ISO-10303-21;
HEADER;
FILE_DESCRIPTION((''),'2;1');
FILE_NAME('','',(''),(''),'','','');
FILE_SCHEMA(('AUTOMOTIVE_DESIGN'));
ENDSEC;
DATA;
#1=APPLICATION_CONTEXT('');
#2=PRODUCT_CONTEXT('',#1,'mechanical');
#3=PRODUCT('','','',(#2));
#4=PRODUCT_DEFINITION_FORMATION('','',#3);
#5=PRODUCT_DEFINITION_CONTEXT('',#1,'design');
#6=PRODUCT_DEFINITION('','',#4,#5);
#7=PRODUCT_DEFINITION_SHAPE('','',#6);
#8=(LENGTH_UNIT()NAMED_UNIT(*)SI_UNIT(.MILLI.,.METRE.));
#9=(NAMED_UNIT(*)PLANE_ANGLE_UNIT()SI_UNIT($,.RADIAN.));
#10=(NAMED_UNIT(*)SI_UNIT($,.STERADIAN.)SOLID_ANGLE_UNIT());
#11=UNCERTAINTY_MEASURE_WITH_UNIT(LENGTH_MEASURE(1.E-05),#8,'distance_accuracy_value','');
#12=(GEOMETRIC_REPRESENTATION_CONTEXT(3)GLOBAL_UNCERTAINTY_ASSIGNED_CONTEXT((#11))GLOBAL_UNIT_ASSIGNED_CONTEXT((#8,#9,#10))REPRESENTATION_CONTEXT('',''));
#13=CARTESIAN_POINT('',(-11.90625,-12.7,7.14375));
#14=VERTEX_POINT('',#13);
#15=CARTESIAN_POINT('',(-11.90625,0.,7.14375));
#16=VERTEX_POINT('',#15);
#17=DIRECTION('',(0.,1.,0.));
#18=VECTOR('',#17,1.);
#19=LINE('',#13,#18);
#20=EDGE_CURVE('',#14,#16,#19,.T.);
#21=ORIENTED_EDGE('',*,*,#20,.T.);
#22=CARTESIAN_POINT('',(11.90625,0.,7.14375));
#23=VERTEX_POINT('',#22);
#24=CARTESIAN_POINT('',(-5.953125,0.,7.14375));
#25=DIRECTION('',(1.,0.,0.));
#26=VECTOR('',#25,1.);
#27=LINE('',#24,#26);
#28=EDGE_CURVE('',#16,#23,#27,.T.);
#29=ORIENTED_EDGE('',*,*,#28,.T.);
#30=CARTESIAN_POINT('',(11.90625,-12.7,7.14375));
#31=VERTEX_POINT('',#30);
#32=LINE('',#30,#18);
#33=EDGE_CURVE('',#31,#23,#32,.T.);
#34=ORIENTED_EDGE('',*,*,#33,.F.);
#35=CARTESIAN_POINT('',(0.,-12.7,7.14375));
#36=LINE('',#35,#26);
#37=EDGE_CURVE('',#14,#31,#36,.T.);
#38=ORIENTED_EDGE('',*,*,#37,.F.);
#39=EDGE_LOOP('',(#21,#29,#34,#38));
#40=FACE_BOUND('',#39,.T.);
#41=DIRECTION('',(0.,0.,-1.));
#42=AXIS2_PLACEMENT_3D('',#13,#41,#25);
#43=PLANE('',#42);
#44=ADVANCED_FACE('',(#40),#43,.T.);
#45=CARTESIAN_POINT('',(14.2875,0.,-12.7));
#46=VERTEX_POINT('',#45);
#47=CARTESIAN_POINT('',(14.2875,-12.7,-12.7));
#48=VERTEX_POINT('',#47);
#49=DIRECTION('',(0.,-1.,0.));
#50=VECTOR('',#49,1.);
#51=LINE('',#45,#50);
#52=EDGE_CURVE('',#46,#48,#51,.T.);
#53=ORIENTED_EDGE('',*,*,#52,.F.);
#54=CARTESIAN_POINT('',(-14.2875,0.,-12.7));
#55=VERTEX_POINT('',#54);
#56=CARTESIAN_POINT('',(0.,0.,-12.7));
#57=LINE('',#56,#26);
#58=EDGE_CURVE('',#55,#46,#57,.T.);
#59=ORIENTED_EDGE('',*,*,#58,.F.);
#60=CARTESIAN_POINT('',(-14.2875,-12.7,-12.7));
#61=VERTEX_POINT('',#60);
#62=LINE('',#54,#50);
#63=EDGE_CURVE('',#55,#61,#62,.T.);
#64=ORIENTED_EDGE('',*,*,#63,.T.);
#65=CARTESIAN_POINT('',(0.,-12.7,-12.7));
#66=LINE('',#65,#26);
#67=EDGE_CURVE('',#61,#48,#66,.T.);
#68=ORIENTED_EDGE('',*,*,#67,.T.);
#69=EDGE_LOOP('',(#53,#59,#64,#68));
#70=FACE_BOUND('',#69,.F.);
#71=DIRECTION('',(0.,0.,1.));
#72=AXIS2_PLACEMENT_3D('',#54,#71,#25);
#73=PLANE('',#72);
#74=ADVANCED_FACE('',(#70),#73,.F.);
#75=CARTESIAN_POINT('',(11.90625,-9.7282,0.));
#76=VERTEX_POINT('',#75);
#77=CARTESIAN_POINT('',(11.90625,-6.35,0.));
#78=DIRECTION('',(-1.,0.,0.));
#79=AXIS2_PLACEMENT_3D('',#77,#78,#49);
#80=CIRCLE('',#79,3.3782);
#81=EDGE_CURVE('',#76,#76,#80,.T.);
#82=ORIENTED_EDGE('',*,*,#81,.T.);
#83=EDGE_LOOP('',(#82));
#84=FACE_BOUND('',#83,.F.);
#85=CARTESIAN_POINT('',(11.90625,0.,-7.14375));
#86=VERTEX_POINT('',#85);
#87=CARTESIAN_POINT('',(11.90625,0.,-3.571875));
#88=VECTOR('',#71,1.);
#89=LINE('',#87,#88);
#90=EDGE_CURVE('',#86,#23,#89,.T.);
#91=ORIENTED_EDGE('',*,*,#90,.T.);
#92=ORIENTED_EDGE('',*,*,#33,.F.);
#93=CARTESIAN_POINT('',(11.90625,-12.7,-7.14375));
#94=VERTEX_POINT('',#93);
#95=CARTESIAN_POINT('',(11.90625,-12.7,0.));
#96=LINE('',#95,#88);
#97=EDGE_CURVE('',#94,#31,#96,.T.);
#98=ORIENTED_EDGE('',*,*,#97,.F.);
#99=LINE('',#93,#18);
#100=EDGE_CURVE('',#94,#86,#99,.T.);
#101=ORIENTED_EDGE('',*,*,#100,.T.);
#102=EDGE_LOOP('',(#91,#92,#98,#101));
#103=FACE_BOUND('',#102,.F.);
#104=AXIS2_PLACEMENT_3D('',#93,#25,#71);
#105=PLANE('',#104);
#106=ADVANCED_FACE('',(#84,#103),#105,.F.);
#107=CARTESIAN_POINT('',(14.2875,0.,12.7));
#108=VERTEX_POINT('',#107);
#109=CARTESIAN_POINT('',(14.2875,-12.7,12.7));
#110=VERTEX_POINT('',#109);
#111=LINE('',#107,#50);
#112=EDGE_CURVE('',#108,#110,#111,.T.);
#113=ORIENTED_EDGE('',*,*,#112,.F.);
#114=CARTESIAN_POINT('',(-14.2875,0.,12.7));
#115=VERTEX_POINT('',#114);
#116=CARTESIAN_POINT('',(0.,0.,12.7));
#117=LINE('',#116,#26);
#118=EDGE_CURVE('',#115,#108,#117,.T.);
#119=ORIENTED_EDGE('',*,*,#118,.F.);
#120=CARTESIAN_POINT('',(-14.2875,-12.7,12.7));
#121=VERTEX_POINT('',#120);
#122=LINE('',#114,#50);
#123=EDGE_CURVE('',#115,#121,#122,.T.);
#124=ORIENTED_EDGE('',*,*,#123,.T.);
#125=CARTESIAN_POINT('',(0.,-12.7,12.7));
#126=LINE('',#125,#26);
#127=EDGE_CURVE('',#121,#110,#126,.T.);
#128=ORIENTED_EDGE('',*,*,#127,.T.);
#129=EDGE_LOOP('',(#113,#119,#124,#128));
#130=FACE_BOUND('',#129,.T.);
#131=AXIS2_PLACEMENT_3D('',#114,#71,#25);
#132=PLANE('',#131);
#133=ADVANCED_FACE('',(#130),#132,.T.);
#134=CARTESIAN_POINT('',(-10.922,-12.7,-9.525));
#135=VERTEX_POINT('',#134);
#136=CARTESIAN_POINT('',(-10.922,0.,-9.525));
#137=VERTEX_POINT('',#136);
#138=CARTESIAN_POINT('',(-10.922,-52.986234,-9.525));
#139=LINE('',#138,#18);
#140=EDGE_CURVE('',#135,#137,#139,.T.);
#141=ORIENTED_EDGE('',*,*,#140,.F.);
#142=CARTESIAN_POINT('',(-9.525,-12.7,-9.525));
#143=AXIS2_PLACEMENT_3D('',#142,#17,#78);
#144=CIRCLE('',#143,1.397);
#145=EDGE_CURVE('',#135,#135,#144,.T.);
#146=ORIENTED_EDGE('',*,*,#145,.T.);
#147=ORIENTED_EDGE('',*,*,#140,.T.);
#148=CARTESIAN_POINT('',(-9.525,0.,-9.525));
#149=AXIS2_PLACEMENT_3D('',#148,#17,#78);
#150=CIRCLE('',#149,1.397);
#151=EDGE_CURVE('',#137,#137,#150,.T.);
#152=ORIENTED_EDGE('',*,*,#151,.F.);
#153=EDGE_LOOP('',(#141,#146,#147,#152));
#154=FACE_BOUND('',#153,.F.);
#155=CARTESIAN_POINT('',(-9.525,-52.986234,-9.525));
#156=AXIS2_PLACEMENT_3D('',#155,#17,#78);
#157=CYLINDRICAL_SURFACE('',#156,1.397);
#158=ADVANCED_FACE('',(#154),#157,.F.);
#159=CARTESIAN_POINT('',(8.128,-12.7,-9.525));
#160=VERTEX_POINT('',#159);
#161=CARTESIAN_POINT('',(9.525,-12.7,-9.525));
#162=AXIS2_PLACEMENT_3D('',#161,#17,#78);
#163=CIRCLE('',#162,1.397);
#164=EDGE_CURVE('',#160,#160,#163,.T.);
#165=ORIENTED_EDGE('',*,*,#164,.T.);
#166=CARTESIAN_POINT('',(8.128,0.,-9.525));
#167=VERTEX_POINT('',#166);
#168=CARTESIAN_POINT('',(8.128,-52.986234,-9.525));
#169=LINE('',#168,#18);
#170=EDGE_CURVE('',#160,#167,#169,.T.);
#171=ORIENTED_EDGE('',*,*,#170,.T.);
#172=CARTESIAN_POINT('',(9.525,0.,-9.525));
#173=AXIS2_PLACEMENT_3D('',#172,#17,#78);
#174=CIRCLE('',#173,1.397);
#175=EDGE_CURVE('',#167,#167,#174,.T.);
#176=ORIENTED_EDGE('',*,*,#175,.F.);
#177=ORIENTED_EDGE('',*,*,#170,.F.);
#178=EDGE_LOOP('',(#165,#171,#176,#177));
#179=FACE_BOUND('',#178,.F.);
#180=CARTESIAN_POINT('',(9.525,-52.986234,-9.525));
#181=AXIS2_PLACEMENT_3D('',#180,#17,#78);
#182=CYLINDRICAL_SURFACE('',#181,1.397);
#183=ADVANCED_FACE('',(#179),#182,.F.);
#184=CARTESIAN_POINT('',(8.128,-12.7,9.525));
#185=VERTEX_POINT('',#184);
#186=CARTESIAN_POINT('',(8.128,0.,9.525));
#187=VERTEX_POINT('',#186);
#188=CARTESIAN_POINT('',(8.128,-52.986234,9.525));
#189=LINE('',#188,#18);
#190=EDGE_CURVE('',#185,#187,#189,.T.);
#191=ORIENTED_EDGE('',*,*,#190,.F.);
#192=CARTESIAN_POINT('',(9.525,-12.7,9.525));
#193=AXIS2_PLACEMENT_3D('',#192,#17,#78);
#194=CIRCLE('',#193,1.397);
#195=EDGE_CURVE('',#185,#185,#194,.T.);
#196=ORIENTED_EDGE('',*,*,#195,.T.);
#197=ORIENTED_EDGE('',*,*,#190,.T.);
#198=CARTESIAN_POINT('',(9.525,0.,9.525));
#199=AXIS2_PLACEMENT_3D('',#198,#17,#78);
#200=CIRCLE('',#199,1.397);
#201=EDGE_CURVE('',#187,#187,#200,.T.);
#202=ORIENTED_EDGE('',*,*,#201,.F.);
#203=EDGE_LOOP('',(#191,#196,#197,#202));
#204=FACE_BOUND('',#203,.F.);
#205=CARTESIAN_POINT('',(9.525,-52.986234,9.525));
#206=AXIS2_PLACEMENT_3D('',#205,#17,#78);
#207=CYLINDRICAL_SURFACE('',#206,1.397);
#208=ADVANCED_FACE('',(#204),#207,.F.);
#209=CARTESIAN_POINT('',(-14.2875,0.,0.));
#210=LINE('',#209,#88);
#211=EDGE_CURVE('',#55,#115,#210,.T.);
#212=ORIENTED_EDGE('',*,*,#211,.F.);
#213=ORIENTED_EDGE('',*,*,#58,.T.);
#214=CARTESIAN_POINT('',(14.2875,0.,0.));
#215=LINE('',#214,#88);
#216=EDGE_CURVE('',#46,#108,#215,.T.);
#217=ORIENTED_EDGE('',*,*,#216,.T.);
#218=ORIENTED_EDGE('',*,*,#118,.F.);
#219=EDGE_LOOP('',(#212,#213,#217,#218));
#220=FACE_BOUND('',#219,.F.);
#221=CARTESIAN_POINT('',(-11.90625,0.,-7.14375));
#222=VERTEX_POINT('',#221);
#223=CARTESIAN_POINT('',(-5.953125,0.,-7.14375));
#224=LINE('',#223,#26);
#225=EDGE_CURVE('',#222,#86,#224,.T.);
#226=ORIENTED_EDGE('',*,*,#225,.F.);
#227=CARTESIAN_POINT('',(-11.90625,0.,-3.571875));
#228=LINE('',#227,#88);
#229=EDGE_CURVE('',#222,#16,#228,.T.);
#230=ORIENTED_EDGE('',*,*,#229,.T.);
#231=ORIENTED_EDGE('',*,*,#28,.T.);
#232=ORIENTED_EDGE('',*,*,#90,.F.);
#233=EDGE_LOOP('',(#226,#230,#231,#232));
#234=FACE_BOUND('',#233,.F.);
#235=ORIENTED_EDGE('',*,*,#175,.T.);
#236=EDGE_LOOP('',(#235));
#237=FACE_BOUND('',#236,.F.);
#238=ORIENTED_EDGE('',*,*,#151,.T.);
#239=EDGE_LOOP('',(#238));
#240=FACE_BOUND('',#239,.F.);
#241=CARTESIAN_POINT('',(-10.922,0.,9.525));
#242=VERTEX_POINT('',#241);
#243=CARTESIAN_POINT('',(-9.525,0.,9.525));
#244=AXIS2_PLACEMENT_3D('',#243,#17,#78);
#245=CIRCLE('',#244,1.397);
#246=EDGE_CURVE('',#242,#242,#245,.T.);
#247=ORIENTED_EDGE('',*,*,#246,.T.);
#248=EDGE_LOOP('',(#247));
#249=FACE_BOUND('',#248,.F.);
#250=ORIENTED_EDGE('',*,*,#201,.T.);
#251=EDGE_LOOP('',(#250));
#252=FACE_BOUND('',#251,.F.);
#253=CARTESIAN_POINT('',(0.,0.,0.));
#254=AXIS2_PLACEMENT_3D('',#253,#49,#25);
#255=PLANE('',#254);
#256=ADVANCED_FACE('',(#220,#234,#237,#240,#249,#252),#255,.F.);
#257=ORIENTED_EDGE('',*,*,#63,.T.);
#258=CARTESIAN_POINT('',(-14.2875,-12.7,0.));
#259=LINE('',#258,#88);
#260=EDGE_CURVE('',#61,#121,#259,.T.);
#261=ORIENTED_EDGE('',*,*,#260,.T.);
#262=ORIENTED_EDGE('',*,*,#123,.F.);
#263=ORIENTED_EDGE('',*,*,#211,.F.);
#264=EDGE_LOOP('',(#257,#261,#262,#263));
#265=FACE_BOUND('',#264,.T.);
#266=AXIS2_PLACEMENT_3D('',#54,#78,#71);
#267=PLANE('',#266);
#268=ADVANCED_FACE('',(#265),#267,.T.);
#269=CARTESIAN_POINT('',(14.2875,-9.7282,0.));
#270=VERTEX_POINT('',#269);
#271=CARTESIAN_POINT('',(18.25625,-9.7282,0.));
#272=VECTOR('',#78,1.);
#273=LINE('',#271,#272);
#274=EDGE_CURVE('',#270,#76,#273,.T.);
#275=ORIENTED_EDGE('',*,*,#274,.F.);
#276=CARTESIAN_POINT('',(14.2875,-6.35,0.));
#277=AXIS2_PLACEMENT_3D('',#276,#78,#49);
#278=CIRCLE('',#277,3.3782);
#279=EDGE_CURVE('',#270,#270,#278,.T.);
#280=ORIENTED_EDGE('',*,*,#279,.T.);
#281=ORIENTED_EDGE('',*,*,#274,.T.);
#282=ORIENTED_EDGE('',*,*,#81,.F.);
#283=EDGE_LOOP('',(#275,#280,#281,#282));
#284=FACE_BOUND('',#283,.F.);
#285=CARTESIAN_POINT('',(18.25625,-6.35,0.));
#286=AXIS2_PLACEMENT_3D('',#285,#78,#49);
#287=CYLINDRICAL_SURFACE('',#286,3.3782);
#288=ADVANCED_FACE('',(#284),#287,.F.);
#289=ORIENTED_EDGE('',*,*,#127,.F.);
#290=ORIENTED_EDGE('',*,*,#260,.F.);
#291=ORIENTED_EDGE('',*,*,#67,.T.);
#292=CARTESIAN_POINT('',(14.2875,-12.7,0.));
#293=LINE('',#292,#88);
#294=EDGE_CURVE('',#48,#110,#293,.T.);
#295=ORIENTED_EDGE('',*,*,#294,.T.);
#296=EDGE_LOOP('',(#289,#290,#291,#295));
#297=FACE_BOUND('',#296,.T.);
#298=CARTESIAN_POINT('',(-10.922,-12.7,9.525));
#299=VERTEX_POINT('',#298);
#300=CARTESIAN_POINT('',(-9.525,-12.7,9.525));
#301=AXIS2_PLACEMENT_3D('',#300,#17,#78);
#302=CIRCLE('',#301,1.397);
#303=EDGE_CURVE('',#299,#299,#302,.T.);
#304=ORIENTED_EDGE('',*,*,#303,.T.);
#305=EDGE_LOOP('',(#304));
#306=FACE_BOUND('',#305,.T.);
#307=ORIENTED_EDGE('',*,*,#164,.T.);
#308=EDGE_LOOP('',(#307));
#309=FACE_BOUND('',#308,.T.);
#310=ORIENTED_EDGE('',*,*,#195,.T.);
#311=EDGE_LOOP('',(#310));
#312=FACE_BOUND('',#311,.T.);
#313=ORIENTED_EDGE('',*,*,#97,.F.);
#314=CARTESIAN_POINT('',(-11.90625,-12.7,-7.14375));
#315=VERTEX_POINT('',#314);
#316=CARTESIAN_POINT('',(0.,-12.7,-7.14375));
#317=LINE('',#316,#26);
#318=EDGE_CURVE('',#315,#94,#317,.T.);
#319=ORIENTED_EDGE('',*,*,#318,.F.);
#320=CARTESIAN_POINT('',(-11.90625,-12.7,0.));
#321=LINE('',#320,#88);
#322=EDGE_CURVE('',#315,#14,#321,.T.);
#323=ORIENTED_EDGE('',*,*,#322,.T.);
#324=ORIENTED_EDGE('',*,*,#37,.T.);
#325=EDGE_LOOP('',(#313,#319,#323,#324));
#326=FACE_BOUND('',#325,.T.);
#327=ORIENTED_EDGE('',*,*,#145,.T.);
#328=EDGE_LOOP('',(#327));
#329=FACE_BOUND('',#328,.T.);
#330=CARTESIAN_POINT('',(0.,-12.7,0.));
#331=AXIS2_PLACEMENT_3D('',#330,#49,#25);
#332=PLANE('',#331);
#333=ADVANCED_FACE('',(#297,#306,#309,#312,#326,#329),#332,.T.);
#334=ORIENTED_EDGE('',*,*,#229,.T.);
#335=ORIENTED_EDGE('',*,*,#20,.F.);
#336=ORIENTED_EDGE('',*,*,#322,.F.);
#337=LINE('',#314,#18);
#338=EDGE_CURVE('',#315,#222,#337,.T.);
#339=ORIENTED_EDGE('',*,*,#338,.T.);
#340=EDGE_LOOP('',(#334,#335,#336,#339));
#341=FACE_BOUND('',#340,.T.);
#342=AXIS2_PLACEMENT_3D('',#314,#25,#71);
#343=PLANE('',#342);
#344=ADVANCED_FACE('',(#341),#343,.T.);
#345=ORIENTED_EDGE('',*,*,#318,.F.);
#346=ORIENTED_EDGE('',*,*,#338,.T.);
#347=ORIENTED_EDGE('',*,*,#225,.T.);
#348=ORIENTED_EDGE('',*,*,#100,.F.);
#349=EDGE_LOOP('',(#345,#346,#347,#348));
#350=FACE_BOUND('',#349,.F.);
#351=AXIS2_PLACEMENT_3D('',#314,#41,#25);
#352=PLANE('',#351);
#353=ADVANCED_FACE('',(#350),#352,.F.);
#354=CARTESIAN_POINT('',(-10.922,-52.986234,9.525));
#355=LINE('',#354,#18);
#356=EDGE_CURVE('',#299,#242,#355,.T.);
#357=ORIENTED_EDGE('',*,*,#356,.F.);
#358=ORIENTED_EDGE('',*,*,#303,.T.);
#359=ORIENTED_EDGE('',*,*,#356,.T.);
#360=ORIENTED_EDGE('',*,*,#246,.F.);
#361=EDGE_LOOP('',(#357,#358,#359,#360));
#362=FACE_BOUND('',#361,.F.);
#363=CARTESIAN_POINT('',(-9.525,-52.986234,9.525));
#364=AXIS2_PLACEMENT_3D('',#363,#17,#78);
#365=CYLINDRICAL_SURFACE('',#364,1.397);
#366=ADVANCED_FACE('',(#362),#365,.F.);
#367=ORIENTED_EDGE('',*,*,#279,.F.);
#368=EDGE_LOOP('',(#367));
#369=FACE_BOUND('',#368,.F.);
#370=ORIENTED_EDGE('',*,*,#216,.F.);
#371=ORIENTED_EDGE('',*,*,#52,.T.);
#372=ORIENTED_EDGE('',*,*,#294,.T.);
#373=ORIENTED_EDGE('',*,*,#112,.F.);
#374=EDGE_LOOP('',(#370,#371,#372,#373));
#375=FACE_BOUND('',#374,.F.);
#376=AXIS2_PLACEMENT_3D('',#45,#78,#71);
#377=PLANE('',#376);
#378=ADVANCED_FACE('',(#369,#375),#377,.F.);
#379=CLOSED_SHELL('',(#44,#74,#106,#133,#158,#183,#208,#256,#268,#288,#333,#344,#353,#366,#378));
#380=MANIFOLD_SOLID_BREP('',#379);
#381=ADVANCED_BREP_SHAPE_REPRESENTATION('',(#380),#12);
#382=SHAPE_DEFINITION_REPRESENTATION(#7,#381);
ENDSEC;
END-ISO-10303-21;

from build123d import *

# Parameters (mm, degrees)
F0_W     = 28.575
F0_H     = 25.4
F1_DEPTH = 12.7
F2_W     = 23.8125
F2_H     = 14.2875
F3_DEPTH = 12.701
F5_D     = 6.7564
F5_DEPTH = 3.96875
F5_TIP   = 2.0298273432
F7_D     = 2.794


with BuildPart() as f1:
    # F0 (on Front) → F1 (new body)
    with BuildSketch(Plane.XZ):
        Rectangle(F0_W, F0_H)
    extrude(amount=F1_DEPTH)

    # F2 (on face) → F3 (cut, through all)
    with BuildSketch(Plane.XZ.offset(12.7)):
        Rectangle(F2_W, F2_H)
    extrude(amount=-F3_DEPTH, mode=Mode.SUBTRACT)

    # F5
    with Locations(Plane.YZ.offset(14.2875)):
        with Locations((-6.35, 0)):
            Hole(F5_D / 2, depth=F5_DEPTH)
            with Locations((0, 0, -(F5_DEPTH + F5_TIP / 2))):  # 118° drill point
                Cone(0, F5_D / 2, F5_TIP, mode=Mode.SUBTRACT)

    # F7 (through all)
    with Locations(Plane.XZ.offset(12.7)):
        with Locations((-9.525, 9.525), (9.525, 9.525), (9.525, -9.525), (-9.525, -9.525)):
            Hole(F7_D / 2)


solid = f1.part
